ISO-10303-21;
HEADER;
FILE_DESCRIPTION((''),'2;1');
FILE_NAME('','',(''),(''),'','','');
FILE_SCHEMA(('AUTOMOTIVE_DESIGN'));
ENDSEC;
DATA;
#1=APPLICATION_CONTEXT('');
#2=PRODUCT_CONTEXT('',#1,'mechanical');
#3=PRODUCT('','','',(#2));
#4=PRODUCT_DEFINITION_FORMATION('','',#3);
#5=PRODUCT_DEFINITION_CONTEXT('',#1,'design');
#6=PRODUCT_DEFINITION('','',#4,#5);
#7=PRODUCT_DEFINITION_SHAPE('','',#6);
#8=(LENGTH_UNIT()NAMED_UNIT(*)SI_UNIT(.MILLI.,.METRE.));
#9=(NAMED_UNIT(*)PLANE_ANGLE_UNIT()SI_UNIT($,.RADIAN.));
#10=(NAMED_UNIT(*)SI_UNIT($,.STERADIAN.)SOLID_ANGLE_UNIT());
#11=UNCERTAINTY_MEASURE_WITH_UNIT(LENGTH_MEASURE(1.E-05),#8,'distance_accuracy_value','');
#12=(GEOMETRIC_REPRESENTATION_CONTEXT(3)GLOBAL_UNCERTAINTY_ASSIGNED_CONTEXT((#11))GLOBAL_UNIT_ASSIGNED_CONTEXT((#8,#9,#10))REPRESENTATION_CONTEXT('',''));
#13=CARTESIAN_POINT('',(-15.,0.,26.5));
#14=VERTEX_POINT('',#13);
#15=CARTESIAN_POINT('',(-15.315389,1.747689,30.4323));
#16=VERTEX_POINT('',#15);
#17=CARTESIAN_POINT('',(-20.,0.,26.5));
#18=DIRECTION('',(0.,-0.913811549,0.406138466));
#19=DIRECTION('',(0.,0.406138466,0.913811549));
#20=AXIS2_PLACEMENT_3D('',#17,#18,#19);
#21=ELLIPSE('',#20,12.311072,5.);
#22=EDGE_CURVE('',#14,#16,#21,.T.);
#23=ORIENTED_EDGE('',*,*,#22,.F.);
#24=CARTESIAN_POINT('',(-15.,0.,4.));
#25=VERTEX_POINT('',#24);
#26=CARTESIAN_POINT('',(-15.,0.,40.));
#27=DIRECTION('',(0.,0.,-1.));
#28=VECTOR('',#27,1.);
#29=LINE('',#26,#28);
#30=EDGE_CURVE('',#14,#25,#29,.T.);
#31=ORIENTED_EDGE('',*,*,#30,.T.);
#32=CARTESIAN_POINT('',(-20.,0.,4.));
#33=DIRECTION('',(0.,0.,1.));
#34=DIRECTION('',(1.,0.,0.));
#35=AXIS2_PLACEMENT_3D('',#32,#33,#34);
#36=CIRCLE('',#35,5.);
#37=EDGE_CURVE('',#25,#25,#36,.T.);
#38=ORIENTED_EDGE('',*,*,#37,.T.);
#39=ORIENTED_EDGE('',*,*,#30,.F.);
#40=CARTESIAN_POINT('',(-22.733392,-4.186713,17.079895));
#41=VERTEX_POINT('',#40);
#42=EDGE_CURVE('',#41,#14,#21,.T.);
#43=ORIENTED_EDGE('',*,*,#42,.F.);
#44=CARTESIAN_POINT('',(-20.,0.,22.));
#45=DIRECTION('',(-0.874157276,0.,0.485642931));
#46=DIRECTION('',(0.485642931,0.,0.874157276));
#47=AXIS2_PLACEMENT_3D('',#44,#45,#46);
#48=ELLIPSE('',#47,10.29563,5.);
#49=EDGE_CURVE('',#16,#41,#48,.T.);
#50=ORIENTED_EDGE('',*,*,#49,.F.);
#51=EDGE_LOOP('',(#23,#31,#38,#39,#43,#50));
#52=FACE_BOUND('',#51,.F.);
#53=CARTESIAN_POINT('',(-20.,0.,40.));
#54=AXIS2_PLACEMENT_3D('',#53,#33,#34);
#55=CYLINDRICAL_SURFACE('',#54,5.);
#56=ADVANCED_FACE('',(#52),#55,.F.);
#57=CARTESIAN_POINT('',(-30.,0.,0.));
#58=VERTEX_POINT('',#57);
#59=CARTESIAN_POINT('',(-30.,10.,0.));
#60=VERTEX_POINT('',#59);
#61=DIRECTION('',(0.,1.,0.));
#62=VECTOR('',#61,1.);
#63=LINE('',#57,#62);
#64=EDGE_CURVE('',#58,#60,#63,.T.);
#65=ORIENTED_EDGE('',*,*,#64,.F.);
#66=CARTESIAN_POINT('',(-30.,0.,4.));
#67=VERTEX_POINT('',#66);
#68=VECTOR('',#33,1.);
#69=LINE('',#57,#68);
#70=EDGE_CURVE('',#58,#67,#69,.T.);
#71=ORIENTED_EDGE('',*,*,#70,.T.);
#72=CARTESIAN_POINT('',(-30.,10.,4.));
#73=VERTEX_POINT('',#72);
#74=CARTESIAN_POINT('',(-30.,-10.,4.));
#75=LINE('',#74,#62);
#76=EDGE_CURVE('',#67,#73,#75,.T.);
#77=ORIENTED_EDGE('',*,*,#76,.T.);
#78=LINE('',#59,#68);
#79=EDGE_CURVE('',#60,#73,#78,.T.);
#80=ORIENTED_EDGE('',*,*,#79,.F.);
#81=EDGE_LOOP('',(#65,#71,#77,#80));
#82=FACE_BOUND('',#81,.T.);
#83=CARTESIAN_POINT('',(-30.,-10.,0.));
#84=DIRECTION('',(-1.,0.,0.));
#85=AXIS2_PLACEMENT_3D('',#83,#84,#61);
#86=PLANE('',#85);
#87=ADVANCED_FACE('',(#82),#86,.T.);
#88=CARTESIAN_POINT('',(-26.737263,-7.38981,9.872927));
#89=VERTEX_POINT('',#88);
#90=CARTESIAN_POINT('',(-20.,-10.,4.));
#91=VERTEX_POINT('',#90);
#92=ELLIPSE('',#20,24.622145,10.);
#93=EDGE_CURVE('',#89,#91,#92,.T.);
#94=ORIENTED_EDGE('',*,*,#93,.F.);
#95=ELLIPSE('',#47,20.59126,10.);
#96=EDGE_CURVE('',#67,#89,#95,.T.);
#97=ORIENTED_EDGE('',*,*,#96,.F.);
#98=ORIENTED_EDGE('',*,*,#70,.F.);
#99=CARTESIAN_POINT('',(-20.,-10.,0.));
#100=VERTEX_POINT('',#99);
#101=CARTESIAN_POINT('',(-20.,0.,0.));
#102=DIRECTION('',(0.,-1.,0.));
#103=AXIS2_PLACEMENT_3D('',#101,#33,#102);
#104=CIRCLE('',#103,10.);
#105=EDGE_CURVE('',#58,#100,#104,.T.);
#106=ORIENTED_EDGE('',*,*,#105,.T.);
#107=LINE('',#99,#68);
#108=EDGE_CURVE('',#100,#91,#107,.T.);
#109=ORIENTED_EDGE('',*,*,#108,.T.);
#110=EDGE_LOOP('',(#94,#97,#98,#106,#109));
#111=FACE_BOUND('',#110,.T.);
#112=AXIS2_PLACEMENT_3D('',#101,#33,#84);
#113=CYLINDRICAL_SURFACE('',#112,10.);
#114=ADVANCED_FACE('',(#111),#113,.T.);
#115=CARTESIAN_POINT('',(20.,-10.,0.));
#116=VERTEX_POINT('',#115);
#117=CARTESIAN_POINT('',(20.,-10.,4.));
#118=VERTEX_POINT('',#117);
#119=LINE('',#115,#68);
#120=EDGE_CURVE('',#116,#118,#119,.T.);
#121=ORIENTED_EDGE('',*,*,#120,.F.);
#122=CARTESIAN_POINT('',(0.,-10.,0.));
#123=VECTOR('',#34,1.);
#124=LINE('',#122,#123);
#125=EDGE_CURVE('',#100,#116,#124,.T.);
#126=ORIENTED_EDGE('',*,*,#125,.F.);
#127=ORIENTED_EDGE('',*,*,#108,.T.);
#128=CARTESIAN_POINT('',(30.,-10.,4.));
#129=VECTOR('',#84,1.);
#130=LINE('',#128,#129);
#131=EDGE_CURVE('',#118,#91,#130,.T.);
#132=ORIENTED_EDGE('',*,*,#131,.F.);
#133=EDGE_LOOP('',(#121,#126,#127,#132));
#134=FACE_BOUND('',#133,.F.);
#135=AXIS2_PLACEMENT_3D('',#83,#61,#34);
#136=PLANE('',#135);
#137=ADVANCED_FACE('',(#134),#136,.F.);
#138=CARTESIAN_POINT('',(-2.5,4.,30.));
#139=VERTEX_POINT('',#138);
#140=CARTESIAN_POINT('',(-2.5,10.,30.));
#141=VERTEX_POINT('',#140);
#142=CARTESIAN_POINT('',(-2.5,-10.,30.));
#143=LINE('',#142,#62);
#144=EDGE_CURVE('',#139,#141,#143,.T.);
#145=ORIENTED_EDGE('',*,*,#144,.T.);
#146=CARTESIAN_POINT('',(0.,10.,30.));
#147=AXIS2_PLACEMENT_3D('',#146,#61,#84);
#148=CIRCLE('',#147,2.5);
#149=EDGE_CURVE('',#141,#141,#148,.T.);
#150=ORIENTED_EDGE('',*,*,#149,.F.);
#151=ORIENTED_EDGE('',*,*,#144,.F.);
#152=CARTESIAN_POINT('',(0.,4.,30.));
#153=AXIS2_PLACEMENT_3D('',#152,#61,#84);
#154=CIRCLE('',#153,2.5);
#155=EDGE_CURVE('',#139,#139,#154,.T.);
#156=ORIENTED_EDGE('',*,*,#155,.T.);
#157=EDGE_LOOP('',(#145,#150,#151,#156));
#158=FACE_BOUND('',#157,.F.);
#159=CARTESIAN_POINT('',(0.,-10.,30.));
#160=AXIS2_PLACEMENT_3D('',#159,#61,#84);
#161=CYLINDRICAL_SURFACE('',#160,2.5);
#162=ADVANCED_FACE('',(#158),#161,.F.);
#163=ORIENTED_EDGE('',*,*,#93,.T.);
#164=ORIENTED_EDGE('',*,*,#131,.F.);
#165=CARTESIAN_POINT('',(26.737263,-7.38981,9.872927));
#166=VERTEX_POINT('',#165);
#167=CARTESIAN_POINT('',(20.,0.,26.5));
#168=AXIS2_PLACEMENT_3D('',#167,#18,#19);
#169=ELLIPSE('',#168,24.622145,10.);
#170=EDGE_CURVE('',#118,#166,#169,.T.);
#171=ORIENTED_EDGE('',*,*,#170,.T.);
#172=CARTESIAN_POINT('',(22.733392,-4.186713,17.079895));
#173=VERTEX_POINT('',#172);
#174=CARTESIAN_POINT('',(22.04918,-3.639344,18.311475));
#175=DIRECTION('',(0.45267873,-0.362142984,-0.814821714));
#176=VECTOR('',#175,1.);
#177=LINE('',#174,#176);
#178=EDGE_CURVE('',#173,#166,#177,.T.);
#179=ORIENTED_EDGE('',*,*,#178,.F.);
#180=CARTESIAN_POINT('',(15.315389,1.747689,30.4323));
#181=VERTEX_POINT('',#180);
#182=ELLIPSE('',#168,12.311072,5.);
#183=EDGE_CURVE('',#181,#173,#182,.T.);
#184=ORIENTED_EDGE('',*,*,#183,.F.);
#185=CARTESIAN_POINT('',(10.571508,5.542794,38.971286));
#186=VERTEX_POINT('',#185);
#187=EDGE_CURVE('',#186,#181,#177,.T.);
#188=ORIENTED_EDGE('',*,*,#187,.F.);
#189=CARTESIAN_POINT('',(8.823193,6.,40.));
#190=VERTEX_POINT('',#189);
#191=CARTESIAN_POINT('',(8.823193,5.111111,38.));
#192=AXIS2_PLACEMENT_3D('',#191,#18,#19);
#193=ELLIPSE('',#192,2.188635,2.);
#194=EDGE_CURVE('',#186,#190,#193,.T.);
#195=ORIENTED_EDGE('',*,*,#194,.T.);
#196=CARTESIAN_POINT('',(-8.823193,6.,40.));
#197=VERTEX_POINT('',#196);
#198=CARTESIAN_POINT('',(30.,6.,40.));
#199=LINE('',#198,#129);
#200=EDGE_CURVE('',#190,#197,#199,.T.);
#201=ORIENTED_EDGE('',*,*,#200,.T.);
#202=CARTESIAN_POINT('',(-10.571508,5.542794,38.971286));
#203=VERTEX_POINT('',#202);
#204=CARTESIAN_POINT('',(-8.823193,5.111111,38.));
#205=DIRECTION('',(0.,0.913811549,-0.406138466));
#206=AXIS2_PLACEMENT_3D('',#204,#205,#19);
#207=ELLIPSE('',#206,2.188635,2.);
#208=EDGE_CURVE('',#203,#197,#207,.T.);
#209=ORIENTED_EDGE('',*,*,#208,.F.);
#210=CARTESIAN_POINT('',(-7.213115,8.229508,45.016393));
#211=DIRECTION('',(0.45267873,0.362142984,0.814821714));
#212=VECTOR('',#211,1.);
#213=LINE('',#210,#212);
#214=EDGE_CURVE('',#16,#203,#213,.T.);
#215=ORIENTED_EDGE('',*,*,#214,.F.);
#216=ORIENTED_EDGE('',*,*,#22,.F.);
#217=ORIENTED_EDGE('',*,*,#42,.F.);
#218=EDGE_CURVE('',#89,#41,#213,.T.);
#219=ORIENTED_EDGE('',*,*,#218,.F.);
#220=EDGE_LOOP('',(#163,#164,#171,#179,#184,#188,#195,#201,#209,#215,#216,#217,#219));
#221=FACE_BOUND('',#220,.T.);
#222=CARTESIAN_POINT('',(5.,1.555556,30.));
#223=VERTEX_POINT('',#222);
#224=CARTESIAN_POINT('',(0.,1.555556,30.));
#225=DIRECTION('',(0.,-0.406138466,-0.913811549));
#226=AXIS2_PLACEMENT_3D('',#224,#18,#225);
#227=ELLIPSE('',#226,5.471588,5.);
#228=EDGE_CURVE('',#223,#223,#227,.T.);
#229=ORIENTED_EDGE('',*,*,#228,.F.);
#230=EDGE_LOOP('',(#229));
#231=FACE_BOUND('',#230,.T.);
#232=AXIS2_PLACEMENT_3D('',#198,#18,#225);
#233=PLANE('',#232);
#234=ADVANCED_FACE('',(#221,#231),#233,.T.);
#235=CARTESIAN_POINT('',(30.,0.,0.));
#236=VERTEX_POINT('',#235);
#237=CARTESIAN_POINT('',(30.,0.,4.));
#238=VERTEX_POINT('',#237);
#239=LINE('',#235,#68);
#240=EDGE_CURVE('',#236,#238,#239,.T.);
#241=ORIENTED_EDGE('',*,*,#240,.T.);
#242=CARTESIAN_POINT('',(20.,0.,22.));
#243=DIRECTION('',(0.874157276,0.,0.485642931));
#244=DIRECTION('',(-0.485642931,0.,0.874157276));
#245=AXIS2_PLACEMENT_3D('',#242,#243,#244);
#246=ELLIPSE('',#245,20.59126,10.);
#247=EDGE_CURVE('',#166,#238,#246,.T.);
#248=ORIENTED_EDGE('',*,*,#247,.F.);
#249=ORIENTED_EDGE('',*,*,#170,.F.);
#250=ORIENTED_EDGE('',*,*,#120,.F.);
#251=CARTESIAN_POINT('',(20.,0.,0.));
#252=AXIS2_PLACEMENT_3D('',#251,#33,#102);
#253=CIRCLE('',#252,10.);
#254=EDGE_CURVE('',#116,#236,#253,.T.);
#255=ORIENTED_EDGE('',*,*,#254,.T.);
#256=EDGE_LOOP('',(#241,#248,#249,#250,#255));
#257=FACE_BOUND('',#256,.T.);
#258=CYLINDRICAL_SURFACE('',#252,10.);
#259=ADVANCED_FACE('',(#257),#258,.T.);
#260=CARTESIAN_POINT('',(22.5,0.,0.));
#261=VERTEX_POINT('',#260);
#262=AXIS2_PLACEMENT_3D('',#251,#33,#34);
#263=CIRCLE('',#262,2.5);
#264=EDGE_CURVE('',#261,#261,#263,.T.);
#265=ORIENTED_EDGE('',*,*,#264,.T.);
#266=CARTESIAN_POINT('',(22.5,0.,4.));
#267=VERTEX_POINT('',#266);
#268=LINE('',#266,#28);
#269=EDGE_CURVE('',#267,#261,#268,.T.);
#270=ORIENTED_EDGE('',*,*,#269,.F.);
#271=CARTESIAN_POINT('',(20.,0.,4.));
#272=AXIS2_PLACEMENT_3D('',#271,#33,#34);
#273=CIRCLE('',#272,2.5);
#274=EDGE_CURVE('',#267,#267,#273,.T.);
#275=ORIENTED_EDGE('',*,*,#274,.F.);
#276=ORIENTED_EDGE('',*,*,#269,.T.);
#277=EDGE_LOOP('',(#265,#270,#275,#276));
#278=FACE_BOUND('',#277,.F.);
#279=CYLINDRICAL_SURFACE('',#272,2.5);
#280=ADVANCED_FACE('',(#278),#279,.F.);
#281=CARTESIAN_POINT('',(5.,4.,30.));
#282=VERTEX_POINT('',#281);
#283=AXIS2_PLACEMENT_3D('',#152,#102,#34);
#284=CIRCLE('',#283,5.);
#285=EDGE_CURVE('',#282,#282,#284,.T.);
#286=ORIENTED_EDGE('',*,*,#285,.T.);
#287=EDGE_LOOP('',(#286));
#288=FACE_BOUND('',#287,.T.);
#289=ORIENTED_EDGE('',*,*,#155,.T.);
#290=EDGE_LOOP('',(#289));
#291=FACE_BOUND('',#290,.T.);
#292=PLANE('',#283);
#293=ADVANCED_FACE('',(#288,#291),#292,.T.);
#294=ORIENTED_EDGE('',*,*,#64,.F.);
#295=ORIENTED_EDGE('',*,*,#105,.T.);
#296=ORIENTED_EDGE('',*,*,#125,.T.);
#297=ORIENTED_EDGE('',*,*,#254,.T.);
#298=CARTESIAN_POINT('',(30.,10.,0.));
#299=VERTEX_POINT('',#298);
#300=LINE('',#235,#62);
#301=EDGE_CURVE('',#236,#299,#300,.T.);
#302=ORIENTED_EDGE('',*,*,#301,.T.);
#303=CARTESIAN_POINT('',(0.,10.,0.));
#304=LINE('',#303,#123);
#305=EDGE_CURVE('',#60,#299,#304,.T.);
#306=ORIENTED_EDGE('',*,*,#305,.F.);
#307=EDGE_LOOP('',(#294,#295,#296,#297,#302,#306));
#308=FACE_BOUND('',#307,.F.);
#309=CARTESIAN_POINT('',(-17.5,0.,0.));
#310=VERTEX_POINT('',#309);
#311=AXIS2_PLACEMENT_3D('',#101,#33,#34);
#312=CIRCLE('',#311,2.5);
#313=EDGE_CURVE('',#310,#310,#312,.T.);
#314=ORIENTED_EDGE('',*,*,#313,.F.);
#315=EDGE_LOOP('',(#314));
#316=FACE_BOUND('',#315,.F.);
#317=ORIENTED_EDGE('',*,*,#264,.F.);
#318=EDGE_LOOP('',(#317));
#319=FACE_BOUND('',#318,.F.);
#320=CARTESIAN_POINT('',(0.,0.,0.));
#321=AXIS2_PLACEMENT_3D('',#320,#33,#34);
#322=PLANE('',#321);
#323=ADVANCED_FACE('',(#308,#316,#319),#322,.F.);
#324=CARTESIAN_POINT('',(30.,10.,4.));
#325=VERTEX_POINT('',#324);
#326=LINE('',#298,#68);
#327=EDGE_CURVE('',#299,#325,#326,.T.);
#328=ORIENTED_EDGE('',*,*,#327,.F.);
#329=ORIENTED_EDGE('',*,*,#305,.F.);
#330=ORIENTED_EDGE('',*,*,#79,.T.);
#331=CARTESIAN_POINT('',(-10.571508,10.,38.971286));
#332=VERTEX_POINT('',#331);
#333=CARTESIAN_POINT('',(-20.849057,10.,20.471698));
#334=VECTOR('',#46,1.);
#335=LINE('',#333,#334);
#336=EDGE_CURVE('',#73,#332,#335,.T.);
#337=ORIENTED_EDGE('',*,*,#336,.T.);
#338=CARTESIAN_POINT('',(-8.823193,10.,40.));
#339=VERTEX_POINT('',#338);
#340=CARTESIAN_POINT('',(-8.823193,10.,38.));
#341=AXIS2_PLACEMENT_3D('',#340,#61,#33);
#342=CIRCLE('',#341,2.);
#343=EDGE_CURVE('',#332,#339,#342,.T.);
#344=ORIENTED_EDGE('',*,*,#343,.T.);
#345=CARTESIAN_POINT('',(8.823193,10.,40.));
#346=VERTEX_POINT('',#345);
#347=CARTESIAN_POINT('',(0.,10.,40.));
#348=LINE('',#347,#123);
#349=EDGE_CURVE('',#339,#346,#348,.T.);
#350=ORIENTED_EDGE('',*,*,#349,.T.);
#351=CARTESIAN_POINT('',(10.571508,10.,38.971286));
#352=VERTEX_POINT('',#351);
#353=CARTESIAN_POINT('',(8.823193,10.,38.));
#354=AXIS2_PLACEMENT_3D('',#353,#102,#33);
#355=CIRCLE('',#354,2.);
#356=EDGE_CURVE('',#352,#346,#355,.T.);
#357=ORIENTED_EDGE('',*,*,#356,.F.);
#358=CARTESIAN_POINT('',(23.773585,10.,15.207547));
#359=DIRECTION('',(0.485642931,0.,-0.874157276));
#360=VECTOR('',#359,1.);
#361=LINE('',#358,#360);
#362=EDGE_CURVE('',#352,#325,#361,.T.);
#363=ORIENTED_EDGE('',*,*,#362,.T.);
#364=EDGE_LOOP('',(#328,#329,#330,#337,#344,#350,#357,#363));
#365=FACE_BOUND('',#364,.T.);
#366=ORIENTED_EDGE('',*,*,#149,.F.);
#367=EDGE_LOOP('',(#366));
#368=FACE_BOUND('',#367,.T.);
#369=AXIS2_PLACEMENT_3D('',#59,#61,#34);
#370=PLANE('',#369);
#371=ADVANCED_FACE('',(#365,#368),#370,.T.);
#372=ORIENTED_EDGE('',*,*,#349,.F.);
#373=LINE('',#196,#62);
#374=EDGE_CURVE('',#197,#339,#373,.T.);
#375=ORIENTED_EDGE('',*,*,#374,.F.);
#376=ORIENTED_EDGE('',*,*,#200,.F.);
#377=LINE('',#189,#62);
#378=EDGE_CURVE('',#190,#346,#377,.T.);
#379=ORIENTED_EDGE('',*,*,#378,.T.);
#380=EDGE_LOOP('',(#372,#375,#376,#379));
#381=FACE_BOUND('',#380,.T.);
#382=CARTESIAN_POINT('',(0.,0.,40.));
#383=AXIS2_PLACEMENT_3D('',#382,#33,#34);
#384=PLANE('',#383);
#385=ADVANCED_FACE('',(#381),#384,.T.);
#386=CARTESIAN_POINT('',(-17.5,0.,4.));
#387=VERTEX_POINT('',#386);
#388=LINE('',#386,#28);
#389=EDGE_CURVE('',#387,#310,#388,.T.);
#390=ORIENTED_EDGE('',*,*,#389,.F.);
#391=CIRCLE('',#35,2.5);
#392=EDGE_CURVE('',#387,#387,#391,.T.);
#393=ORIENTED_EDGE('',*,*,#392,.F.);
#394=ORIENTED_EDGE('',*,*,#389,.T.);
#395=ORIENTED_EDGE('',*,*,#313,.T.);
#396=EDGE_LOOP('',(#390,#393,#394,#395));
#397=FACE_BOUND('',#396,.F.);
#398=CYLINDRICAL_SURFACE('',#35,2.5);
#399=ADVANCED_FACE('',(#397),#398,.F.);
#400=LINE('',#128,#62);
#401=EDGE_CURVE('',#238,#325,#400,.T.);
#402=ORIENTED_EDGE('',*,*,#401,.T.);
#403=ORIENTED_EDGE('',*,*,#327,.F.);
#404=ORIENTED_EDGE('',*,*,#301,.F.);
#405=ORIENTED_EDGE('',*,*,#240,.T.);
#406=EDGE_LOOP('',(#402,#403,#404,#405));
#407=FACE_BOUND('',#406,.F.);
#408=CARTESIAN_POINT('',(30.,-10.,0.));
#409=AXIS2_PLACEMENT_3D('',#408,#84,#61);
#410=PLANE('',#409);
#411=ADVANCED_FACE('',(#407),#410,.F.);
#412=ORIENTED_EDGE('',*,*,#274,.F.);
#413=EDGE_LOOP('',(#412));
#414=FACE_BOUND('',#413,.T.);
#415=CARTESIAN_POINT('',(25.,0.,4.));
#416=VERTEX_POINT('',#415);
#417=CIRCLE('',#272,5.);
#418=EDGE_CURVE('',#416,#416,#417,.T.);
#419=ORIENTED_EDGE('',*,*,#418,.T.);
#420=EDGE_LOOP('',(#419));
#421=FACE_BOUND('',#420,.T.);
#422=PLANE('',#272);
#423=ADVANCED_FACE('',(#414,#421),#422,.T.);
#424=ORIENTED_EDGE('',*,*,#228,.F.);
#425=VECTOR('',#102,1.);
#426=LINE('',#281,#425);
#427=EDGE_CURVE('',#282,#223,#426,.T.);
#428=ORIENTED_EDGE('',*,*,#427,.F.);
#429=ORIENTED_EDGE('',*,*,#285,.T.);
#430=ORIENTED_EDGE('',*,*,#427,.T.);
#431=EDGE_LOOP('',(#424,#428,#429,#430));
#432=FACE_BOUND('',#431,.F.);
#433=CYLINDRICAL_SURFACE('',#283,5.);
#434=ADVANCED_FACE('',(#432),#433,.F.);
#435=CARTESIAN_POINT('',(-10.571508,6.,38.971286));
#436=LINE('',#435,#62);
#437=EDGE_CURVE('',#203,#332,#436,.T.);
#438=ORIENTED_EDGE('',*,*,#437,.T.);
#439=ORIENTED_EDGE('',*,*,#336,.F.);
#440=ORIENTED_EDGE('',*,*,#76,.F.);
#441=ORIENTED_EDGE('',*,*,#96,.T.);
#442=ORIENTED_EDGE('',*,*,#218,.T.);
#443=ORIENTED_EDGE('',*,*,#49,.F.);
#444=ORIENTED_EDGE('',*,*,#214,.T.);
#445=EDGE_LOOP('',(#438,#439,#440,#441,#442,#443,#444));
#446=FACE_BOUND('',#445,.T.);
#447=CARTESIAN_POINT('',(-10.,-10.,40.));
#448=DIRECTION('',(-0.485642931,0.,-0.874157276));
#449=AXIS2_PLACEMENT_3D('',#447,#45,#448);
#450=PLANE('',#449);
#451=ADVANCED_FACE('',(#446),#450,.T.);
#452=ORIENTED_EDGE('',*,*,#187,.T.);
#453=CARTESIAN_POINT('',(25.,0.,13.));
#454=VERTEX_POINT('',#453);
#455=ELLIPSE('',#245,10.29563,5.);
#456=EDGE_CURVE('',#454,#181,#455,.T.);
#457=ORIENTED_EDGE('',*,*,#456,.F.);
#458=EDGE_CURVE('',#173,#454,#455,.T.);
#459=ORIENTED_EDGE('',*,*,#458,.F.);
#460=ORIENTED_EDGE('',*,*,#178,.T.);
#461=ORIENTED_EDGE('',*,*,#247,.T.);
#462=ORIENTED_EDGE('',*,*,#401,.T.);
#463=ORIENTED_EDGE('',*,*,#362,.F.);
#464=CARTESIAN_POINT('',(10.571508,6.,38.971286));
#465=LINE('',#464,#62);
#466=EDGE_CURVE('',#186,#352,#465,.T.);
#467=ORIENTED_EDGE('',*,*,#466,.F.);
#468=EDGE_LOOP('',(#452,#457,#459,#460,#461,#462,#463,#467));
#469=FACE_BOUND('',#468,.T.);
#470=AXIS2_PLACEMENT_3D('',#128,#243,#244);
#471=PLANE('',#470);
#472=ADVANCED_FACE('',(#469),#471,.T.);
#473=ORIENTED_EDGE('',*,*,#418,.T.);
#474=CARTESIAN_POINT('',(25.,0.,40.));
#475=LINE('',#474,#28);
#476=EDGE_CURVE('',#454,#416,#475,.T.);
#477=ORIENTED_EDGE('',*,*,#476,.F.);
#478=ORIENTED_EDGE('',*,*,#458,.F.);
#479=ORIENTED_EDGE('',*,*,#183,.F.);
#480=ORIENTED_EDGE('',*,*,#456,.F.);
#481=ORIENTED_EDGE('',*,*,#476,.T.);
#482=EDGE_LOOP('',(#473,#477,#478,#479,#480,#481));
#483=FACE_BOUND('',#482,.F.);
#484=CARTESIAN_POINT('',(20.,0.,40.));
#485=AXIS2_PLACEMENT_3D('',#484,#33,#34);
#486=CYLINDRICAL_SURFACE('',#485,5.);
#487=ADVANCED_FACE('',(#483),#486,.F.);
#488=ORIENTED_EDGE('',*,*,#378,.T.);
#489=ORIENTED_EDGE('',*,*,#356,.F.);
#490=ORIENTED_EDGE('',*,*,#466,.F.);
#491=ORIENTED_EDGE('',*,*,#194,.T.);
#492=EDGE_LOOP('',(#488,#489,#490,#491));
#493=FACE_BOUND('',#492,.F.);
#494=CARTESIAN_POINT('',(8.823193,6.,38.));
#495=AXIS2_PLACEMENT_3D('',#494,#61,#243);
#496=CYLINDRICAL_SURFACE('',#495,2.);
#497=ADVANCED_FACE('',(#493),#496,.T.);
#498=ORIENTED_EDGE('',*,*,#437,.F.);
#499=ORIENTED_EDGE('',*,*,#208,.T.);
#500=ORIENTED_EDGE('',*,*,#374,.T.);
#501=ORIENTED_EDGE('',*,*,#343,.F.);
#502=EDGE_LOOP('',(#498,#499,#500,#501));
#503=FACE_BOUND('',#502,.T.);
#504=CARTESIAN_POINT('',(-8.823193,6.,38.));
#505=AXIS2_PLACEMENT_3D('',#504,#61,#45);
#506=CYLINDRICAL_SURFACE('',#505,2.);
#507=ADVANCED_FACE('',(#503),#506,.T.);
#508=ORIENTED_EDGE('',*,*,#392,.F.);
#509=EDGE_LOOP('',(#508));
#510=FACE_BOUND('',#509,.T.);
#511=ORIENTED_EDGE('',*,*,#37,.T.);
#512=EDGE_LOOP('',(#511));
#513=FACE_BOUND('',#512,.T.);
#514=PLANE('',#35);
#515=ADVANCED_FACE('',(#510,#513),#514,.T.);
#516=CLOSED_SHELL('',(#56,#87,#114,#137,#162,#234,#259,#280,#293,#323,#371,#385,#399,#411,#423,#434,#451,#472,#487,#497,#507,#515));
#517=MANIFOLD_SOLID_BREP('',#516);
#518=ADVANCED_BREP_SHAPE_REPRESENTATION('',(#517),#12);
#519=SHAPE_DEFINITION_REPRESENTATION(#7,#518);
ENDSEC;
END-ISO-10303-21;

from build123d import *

# Parameters (mm, degrees)
SKETCH_W         = 60
SKETCH_H         = 20
PAD_DEPTH        = 40
POCKET_DEPTH     = 20.001
HOLE_D           = 5
HOLE_DEPTH       = 25
HOLE_CBORE_D     = 10
HOLE_CBORE_DEPTH = 14
POCKET001_DEPTH  = 60.001
SKETCH004_R      = 5
HOLE001_DEPTH    = 36
SKETCH005_R      = 2.5
POCKET002_DEPTH  = 5
FILLET_R         = 10
FILLET001_R      = 2


with BuildPart() as part:
    # Sketch → Pad (new body)
    with BuildSketch(Plane.XY):
        Rectangle(SKETCH_W, SKETCH_H)
    extrude(amount=PAD_DEPTH)

    # Sketch001 (on Face3 of Pad) → Pocket (cut, through all)
    with BuildSketch(Plane.XZ.offset(10)):
        Polygon((30, 40), (30, 4), (10, 40), align=None)
        Polygon((-30, 4), (-30, 40), (-10, 40), align=None)
    extrude(amount=-POCKET_DEPTH, mode=Mode.SUBTRACT)

    # Hole
    with Locations(Plane.XZ.offset(10)):
        with Locations((0, 30)):
            CounterBoreHole(HOLE_D / 2, HOLE_CBORE_D / 2, HOLE_CBORE_DEPTH, depth=HOLE_DEPTH)

    # Sketch003 (on Face4 of Hole) → Pocket001 (cut, through all)
    with BuildSketch(Plane.YZ.offset(30)):
        Polygon((-10, 4), (-10, 40), (6, 40), align=None)
    extrude(amount=-POCKET001_DEPTH, mode=Mode.SUBTRACT)

    # Sketch004 (on Face7 of Pocket001) → Hole001 (cut)
    with BuildSketch(Plane.XY.offset(40)):
        with Locations((-20, 0)):
            Circle(SKETCH004_R)
        with Locations((20, 0)):
            Circle(SKETCH004_R)
    extrude(amount=-HOLE001_DEPTH, mode=Mode.SUBTRACT)

    # Sketch005 (on Face15 of Hole001) → Pocket002 (cut)
    with BuildSketch(Plane.XY.offset(4)):
        with Locations((-20, 0)):
            Circle(SKETCH005_R)
        with Locations((20, 0)):
            Circle(SKETCH005_R)
    extrude(amount=-POCKET002_DEPTH, mode=Mode.SUBTRACT)

    # Fillet
    fillet_edges = [part.edges().sort_by_distance(p)[0] for p in [
        (30, -10, 2),
        (-30, -10, 2),
    ]]
    fillet(fillet_edges, radius=FILLET_R)

    # Fillet001
    fillet001_edges = [part.edges().sort_by_distance(p)[0] for p in [
        (10, 8, 40),
        (-10, 8, 40),
    ]]
    fillet(fillet001_edges, radius=FILLET001_R)


solid = part.part
